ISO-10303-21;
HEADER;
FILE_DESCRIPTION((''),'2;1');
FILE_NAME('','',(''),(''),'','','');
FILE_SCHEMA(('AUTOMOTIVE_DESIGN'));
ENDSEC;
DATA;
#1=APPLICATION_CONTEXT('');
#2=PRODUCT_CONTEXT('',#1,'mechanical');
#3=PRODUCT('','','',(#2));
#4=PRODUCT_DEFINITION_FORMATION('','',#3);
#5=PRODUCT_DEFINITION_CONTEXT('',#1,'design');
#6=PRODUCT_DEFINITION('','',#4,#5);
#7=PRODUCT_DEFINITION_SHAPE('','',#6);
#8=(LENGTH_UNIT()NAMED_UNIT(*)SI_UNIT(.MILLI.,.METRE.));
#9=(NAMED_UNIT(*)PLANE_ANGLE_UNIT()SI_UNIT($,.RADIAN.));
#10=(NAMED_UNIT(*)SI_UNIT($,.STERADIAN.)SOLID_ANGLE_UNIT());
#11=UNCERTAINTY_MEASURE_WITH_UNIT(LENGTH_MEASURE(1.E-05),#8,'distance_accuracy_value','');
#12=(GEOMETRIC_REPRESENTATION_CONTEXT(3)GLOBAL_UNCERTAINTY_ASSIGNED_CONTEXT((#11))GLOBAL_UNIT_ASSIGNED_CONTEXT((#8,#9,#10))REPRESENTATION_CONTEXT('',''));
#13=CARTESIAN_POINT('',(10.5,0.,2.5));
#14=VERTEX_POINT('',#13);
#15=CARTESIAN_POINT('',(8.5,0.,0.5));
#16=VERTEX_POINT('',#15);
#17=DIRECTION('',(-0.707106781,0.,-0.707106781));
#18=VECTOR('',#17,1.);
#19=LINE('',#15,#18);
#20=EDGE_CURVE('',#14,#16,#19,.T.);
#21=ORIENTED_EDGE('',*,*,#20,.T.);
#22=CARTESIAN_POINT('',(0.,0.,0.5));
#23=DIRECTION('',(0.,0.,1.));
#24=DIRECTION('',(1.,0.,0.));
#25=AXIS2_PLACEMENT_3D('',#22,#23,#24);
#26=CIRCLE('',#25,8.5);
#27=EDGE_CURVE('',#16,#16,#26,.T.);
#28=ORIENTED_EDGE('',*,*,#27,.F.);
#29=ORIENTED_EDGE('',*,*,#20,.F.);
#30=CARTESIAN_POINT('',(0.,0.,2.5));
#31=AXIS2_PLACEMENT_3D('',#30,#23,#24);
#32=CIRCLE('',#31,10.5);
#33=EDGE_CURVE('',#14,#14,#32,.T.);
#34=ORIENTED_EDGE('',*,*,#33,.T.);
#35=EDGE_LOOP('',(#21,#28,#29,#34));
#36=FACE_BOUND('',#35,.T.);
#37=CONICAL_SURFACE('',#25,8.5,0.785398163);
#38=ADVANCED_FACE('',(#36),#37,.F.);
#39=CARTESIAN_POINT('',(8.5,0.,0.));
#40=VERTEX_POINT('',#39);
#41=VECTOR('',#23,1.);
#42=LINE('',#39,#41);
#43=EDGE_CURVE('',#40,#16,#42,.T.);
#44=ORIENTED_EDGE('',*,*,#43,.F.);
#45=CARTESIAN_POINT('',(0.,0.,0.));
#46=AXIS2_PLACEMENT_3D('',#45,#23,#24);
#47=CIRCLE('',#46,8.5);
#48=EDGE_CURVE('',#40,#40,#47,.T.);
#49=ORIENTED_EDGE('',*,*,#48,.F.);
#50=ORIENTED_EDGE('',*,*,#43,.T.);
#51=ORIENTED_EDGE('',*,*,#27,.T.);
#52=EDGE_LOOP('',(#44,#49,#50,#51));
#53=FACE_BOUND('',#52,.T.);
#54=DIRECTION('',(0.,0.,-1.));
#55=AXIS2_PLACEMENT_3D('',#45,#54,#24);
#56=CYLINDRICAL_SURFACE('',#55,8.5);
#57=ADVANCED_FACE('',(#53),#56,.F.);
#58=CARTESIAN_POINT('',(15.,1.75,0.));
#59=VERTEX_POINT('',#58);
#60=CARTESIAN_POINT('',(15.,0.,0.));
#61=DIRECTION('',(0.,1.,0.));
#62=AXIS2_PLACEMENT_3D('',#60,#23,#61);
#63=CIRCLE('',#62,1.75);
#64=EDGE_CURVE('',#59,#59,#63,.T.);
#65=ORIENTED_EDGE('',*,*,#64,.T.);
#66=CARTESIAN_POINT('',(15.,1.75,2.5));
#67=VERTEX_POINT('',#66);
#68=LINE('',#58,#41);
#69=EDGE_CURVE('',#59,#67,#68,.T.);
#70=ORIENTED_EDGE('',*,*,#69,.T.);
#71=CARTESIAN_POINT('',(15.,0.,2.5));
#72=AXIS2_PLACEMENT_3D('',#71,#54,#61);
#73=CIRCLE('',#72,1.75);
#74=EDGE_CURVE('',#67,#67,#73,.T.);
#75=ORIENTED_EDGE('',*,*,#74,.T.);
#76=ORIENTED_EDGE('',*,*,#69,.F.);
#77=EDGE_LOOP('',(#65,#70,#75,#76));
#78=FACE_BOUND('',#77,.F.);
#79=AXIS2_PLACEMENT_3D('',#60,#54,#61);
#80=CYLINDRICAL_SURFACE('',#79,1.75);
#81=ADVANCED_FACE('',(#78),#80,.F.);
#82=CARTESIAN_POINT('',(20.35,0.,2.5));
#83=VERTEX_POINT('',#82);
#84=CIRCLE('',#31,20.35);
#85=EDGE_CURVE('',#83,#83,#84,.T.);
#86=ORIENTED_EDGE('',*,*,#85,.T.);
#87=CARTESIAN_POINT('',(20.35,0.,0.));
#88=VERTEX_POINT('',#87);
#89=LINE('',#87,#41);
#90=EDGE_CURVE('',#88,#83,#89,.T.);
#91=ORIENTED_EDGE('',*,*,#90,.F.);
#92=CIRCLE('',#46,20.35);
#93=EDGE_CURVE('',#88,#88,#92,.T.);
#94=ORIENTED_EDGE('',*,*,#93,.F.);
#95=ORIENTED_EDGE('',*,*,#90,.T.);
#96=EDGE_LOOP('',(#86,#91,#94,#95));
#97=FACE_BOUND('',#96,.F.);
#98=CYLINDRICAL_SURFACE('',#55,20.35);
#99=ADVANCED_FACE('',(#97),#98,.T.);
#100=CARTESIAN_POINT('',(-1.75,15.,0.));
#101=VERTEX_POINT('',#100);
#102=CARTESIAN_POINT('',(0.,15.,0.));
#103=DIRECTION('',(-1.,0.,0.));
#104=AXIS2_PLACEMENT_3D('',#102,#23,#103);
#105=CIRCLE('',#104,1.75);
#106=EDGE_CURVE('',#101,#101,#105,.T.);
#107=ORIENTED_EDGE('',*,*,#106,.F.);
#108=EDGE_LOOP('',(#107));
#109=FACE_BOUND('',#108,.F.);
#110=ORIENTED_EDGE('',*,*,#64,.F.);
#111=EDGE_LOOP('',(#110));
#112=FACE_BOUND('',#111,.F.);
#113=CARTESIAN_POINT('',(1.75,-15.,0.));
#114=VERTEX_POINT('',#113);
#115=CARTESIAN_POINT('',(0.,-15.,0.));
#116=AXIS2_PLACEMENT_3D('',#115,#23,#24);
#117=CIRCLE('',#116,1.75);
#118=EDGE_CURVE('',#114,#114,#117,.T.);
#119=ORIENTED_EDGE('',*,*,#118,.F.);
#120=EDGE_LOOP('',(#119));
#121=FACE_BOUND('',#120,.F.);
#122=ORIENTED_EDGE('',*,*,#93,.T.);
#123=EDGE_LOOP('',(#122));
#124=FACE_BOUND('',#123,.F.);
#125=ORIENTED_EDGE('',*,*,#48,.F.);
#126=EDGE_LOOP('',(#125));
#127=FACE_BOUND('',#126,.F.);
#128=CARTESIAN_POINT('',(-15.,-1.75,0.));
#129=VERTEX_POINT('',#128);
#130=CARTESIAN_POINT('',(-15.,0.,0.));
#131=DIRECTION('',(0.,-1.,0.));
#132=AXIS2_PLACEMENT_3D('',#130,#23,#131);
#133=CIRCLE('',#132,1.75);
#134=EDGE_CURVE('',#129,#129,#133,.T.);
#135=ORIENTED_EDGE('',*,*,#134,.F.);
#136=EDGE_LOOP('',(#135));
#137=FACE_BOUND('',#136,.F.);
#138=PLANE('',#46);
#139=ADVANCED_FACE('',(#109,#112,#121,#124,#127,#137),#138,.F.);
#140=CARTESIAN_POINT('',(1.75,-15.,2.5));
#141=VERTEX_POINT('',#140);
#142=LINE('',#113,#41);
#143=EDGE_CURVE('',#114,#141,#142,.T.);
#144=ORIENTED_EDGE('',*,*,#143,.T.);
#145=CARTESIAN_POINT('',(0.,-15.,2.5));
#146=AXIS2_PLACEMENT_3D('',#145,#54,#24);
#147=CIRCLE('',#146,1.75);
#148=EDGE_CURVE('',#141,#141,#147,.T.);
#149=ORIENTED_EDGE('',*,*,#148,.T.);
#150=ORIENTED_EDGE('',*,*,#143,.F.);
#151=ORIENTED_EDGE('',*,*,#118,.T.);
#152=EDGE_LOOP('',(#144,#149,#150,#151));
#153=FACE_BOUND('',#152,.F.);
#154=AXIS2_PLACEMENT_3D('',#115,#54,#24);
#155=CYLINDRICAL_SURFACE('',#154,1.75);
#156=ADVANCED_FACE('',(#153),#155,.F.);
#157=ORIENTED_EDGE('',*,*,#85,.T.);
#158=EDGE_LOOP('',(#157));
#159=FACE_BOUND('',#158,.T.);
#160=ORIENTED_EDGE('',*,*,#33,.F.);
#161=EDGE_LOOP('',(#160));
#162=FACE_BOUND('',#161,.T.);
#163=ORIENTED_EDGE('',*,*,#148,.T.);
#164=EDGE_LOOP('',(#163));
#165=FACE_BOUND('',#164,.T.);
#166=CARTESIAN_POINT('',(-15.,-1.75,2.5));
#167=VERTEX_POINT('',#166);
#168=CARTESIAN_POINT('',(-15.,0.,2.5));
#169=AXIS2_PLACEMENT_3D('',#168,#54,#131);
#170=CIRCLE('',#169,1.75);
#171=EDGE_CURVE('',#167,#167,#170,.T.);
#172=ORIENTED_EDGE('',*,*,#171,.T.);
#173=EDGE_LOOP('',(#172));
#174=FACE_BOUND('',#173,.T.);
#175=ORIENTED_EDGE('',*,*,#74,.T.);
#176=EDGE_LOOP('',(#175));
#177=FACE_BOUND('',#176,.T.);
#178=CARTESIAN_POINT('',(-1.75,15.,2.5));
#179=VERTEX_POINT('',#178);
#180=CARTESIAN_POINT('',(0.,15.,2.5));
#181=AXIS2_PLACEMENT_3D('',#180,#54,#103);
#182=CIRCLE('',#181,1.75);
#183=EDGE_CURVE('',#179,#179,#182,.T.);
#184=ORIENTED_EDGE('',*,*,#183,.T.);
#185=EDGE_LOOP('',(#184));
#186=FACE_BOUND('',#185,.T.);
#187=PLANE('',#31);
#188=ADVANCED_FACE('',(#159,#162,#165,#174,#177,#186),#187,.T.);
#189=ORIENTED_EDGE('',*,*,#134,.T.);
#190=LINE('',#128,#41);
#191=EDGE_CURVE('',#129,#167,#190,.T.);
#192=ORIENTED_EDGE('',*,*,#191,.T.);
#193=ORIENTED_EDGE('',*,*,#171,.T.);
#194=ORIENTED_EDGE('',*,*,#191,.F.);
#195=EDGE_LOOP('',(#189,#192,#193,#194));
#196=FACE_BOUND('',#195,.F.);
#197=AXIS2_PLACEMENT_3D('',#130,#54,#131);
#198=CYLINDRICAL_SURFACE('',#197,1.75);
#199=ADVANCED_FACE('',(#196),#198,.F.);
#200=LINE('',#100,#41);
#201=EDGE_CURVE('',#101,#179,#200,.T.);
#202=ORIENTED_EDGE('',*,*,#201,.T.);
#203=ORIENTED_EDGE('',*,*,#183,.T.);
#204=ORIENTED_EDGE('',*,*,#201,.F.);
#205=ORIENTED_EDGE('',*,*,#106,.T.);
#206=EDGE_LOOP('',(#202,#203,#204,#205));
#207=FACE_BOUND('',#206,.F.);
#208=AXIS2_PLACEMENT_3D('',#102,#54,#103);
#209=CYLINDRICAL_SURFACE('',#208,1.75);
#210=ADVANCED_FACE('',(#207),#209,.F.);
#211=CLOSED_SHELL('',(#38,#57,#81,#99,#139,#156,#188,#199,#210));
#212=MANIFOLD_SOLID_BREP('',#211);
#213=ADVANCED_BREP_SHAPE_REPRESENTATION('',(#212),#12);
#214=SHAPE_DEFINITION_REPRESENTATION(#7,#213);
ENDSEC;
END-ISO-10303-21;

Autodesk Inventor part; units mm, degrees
ref_plane "YZ Plane" through (0, 0, 0) normal (1, 0, 0) x (0, 1, 0)
ref_plane "XZ Plane" through (0, 0, 0) normal (0, 1, 0) x (-1, 0, 0)
ref_plane "XY Plane" through (0, 0, 0) normal (0, 0, 1) x (1, 0, 0)
sketch "スケッチ1" plane through (0, 0, 0) normal (0, 0, 1) x (1, 0, 0)
  circle A0 centre (0, 0) radius 20.35
  circle A1 centre (0, 0) radius 8.5
  dimension "d0" = 40.7
  dimension "d1" = 17
extrude "押し出し1" add sketch "スケッチ1" along normal blind 2.5
sketch "スケッチ2" plane through (0, 0, 0) normal (0, 0, -1) x (-1, 0, 0)
  circle A0 centre (0, 15) radius 1.75
  line L0 (0, -28.49) -> (0, 28.49) projected
  point P0 (0, 0)
  dimension "d4" = 15
  dimension "d5" = 3.5
extrude "押し出し2" cut sketch "スケッチ2" against normal blind 5
pattern_circular "円形状パターン1" count 4 over 360 about axis through (0, 0, -10) along (0, 0, 1) of "押し出し2"
chamfer "面取り1" distance 2 angle 45 1 edges at (-8.5, 0, 2.5)
properties part number "bar2"
